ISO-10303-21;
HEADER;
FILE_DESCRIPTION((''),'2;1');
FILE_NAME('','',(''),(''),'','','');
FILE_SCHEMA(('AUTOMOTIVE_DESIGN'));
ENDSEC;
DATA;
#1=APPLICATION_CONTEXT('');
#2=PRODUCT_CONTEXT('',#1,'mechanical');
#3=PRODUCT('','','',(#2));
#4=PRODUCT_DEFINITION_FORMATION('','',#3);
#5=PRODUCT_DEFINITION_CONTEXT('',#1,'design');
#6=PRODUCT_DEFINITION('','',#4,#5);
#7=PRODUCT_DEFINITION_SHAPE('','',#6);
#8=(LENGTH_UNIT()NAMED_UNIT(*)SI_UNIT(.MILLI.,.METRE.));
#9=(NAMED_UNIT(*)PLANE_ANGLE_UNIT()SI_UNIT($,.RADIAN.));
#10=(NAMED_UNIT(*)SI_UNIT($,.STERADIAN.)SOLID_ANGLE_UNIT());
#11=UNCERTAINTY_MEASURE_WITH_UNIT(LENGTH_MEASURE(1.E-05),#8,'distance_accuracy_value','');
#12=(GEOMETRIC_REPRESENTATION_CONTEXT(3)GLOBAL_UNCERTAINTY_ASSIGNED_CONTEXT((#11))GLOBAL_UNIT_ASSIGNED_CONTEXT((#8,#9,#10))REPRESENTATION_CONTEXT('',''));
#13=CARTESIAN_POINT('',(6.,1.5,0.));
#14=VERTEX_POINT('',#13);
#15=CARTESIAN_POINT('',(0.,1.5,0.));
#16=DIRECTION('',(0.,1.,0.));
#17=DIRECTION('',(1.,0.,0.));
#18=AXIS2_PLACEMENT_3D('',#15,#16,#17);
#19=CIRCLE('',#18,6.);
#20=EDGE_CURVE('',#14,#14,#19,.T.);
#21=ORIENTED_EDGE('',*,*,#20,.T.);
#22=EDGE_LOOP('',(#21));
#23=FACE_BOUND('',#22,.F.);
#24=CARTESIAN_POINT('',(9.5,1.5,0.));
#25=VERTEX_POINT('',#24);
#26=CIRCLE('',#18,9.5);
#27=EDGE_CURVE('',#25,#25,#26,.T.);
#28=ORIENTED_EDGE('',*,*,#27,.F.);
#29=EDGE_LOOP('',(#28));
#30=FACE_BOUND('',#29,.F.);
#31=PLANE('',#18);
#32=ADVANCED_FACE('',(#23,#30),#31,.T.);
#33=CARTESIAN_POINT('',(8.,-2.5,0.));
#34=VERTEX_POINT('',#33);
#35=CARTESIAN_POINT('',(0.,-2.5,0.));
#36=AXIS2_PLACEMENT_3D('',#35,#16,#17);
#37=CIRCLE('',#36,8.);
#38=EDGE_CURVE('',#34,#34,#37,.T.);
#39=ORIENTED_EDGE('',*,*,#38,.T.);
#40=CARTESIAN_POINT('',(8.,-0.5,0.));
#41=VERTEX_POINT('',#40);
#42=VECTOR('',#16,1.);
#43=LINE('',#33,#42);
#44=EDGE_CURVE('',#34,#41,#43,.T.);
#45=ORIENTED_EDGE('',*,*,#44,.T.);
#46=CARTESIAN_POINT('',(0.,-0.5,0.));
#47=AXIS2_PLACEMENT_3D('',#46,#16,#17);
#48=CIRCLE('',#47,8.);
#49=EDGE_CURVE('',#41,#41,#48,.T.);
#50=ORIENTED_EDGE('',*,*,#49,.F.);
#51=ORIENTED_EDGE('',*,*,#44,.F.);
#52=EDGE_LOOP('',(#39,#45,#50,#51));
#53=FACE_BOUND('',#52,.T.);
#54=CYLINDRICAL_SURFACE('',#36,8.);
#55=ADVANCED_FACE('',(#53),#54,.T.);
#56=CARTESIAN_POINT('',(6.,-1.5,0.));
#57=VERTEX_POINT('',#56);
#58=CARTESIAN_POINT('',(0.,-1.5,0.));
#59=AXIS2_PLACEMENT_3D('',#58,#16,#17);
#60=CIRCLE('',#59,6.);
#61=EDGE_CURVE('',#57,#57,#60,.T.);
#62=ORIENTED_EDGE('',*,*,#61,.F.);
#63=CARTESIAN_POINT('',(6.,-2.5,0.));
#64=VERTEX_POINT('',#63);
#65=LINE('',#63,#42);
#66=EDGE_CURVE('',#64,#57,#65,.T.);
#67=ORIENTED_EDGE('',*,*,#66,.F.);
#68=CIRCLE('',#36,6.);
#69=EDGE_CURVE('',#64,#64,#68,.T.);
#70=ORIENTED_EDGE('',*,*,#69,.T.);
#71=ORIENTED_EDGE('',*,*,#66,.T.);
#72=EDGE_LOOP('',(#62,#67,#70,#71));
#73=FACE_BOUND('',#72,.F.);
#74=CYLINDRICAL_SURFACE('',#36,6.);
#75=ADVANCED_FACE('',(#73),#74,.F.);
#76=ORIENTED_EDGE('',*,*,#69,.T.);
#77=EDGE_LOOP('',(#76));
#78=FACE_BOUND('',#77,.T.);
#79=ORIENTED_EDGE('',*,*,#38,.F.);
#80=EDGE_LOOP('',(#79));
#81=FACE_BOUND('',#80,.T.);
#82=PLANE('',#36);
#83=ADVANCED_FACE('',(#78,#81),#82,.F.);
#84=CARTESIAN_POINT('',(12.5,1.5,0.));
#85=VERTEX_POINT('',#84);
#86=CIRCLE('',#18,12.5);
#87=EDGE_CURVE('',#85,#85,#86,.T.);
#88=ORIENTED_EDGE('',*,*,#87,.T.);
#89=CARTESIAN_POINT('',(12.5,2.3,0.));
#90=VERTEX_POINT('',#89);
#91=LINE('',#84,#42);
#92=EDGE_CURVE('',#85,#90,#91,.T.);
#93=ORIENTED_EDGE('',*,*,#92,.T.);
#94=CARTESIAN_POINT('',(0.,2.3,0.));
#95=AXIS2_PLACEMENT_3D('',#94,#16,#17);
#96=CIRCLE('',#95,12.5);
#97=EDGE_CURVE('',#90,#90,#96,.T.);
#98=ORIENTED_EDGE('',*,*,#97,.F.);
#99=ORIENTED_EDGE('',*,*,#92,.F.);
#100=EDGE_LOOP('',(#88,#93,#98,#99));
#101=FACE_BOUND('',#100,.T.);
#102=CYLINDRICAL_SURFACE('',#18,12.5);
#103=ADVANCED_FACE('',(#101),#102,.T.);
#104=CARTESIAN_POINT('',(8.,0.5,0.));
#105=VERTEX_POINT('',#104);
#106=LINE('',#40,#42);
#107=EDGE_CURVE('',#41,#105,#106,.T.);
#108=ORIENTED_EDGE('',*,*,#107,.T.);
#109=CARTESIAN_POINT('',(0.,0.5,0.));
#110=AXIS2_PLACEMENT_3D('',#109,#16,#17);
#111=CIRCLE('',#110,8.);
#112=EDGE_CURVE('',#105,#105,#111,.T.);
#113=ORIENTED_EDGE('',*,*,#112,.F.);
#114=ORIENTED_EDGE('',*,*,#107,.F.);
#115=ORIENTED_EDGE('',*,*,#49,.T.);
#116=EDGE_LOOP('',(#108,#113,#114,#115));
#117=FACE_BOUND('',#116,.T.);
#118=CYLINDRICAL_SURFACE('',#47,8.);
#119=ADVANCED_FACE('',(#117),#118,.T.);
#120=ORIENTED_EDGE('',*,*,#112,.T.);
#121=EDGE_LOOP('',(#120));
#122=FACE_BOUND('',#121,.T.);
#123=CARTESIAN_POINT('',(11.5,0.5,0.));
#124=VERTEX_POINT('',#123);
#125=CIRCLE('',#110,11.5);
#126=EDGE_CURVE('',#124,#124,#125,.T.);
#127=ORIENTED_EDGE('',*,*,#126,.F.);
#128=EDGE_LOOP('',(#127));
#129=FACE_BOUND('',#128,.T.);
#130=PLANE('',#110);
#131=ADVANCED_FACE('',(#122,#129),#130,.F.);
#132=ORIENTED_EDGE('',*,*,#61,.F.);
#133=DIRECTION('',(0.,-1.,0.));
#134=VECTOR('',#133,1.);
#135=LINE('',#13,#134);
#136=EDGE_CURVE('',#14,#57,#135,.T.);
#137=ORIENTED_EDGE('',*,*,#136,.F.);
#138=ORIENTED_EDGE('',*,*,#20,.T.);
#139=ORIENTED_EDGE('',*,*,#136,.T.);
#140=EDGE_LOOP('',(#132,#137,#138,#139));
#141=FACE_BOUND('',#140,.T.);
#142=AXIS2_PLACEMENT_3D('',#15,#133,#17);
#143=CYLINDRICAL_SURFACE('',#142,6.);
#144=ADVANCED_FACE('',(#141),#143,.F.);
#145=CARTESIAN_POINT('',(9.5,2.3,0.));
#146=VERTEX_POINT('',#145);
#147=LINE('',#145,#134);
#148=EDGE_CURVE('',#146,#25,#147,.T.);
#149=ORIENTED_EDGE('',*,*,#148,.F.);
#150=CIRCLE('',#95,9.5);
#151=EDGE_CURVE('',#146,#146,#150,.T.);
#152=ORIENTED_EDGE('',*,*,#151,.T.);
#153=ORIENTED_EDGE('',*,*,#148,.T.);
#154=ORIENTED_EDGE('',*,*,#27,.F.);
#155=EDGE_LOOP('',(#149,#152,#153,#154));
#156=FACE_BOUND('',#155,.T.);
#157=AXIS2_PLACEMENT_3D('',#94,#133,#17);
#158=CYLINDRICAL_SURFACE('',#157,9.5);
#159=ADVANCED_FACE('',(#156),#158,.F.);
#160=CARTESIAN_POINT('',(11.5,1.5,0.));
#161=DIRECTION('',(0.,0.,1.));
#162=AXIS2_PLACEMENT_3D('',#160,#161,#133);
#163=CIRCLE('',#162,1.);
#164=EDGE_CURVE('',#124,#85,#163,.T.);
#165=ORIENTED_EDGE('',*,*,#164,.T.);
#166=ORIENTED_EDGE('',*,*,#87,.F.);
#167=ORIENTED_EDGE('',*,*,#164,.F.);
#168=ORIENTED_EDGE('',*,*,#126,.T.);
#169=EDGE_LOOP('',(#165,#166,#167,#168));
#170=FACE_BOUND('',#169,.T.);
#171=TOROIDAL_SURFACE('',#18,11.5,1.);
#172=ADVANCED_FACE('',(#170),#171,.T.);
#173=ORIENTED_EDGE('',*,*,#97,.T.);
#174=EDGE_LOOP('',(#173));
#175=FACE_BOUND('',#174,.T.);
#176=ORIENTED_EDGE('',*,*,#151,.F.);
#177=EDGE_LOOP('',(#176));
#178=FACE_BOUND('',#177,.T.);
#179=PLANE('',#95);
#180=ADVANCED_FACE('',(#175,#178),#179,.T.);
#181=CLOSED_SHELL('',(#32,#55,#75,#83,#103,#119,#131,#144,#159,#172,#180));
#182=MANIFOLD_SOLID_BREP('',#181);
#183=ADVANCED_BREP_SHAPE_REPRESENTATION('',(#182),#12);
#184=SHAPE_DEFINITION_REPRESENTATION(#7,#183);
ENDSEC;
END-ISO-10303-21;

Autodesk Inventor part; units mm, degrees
ref_plane "YZ Plane" through (0, 0, 0) normal (1, 0, 0) x (0, 1, 0)
ref_plane "XZ Plane" through (0, 0, 0) normal (0, 1, 0) x (-1, 0, 0)
ref_plane "XY Plane" through (0, 0, 0) normal (0, 0, 1) x (1, 0, 0)
sketch "Sketch1" plane through (0, 0, 0) normal (0, 0, 1) x (1, 0, 0)
  line L0 (6, 1.5) -> (6, -1.5)
  line L1 (8, 0.5) -> (11.5, 0.5)
  line L2 (12.5, 1.5) -> (12.5, 2.3)
  line L3 (12.5, 1.5) -> (11.5, 1.5) construction
  line L4 (11.5, 1.5) -> (11.5, 0.5) construction
  arc A0 (11.5, 0.5) -> (12.5, 1.5) centre (11.5, 1.5) ccw
  line L5 (6, 1.5) -> (9.5, 1.5)
  line L6 (12.5, 2.3) -> (9.5, 2.3)
  line L7 (9.5, 2.3) -> (9.5, 1.5)
  line L8 (8, -0.5) -> (8, 0.5)
  line L9 (6, -2.5) -> (8, -2.5)
  line L10 (8, -2.5) -> (8, -0.5)
  line L11 (0, 0) -> (0, 11.9081) construction
  line L12 (6, -2.5) -> (6, -1.5)
  dimension "d0" = 3
  dimension "d1" = 1.5
  dimension "d2" = 0.8
  dimension "d3" = 1
  dimension "d4" = 1
  dimension "d5" = 3
  dimension "d6" = 6
  dimension "d7" = 0.8
  dimension "d8" = 3.5
  dimension "d11" = 1
revolve "Revolution1" add sketch "Sketch1" angle 360 about axis through (0, 0, 0) along (0, 1, 0)
equation "\"d1\" = 0.5 * d0"
equation "\"d4\" = d3"
properties part number "tarcza sprzęgła 2"
